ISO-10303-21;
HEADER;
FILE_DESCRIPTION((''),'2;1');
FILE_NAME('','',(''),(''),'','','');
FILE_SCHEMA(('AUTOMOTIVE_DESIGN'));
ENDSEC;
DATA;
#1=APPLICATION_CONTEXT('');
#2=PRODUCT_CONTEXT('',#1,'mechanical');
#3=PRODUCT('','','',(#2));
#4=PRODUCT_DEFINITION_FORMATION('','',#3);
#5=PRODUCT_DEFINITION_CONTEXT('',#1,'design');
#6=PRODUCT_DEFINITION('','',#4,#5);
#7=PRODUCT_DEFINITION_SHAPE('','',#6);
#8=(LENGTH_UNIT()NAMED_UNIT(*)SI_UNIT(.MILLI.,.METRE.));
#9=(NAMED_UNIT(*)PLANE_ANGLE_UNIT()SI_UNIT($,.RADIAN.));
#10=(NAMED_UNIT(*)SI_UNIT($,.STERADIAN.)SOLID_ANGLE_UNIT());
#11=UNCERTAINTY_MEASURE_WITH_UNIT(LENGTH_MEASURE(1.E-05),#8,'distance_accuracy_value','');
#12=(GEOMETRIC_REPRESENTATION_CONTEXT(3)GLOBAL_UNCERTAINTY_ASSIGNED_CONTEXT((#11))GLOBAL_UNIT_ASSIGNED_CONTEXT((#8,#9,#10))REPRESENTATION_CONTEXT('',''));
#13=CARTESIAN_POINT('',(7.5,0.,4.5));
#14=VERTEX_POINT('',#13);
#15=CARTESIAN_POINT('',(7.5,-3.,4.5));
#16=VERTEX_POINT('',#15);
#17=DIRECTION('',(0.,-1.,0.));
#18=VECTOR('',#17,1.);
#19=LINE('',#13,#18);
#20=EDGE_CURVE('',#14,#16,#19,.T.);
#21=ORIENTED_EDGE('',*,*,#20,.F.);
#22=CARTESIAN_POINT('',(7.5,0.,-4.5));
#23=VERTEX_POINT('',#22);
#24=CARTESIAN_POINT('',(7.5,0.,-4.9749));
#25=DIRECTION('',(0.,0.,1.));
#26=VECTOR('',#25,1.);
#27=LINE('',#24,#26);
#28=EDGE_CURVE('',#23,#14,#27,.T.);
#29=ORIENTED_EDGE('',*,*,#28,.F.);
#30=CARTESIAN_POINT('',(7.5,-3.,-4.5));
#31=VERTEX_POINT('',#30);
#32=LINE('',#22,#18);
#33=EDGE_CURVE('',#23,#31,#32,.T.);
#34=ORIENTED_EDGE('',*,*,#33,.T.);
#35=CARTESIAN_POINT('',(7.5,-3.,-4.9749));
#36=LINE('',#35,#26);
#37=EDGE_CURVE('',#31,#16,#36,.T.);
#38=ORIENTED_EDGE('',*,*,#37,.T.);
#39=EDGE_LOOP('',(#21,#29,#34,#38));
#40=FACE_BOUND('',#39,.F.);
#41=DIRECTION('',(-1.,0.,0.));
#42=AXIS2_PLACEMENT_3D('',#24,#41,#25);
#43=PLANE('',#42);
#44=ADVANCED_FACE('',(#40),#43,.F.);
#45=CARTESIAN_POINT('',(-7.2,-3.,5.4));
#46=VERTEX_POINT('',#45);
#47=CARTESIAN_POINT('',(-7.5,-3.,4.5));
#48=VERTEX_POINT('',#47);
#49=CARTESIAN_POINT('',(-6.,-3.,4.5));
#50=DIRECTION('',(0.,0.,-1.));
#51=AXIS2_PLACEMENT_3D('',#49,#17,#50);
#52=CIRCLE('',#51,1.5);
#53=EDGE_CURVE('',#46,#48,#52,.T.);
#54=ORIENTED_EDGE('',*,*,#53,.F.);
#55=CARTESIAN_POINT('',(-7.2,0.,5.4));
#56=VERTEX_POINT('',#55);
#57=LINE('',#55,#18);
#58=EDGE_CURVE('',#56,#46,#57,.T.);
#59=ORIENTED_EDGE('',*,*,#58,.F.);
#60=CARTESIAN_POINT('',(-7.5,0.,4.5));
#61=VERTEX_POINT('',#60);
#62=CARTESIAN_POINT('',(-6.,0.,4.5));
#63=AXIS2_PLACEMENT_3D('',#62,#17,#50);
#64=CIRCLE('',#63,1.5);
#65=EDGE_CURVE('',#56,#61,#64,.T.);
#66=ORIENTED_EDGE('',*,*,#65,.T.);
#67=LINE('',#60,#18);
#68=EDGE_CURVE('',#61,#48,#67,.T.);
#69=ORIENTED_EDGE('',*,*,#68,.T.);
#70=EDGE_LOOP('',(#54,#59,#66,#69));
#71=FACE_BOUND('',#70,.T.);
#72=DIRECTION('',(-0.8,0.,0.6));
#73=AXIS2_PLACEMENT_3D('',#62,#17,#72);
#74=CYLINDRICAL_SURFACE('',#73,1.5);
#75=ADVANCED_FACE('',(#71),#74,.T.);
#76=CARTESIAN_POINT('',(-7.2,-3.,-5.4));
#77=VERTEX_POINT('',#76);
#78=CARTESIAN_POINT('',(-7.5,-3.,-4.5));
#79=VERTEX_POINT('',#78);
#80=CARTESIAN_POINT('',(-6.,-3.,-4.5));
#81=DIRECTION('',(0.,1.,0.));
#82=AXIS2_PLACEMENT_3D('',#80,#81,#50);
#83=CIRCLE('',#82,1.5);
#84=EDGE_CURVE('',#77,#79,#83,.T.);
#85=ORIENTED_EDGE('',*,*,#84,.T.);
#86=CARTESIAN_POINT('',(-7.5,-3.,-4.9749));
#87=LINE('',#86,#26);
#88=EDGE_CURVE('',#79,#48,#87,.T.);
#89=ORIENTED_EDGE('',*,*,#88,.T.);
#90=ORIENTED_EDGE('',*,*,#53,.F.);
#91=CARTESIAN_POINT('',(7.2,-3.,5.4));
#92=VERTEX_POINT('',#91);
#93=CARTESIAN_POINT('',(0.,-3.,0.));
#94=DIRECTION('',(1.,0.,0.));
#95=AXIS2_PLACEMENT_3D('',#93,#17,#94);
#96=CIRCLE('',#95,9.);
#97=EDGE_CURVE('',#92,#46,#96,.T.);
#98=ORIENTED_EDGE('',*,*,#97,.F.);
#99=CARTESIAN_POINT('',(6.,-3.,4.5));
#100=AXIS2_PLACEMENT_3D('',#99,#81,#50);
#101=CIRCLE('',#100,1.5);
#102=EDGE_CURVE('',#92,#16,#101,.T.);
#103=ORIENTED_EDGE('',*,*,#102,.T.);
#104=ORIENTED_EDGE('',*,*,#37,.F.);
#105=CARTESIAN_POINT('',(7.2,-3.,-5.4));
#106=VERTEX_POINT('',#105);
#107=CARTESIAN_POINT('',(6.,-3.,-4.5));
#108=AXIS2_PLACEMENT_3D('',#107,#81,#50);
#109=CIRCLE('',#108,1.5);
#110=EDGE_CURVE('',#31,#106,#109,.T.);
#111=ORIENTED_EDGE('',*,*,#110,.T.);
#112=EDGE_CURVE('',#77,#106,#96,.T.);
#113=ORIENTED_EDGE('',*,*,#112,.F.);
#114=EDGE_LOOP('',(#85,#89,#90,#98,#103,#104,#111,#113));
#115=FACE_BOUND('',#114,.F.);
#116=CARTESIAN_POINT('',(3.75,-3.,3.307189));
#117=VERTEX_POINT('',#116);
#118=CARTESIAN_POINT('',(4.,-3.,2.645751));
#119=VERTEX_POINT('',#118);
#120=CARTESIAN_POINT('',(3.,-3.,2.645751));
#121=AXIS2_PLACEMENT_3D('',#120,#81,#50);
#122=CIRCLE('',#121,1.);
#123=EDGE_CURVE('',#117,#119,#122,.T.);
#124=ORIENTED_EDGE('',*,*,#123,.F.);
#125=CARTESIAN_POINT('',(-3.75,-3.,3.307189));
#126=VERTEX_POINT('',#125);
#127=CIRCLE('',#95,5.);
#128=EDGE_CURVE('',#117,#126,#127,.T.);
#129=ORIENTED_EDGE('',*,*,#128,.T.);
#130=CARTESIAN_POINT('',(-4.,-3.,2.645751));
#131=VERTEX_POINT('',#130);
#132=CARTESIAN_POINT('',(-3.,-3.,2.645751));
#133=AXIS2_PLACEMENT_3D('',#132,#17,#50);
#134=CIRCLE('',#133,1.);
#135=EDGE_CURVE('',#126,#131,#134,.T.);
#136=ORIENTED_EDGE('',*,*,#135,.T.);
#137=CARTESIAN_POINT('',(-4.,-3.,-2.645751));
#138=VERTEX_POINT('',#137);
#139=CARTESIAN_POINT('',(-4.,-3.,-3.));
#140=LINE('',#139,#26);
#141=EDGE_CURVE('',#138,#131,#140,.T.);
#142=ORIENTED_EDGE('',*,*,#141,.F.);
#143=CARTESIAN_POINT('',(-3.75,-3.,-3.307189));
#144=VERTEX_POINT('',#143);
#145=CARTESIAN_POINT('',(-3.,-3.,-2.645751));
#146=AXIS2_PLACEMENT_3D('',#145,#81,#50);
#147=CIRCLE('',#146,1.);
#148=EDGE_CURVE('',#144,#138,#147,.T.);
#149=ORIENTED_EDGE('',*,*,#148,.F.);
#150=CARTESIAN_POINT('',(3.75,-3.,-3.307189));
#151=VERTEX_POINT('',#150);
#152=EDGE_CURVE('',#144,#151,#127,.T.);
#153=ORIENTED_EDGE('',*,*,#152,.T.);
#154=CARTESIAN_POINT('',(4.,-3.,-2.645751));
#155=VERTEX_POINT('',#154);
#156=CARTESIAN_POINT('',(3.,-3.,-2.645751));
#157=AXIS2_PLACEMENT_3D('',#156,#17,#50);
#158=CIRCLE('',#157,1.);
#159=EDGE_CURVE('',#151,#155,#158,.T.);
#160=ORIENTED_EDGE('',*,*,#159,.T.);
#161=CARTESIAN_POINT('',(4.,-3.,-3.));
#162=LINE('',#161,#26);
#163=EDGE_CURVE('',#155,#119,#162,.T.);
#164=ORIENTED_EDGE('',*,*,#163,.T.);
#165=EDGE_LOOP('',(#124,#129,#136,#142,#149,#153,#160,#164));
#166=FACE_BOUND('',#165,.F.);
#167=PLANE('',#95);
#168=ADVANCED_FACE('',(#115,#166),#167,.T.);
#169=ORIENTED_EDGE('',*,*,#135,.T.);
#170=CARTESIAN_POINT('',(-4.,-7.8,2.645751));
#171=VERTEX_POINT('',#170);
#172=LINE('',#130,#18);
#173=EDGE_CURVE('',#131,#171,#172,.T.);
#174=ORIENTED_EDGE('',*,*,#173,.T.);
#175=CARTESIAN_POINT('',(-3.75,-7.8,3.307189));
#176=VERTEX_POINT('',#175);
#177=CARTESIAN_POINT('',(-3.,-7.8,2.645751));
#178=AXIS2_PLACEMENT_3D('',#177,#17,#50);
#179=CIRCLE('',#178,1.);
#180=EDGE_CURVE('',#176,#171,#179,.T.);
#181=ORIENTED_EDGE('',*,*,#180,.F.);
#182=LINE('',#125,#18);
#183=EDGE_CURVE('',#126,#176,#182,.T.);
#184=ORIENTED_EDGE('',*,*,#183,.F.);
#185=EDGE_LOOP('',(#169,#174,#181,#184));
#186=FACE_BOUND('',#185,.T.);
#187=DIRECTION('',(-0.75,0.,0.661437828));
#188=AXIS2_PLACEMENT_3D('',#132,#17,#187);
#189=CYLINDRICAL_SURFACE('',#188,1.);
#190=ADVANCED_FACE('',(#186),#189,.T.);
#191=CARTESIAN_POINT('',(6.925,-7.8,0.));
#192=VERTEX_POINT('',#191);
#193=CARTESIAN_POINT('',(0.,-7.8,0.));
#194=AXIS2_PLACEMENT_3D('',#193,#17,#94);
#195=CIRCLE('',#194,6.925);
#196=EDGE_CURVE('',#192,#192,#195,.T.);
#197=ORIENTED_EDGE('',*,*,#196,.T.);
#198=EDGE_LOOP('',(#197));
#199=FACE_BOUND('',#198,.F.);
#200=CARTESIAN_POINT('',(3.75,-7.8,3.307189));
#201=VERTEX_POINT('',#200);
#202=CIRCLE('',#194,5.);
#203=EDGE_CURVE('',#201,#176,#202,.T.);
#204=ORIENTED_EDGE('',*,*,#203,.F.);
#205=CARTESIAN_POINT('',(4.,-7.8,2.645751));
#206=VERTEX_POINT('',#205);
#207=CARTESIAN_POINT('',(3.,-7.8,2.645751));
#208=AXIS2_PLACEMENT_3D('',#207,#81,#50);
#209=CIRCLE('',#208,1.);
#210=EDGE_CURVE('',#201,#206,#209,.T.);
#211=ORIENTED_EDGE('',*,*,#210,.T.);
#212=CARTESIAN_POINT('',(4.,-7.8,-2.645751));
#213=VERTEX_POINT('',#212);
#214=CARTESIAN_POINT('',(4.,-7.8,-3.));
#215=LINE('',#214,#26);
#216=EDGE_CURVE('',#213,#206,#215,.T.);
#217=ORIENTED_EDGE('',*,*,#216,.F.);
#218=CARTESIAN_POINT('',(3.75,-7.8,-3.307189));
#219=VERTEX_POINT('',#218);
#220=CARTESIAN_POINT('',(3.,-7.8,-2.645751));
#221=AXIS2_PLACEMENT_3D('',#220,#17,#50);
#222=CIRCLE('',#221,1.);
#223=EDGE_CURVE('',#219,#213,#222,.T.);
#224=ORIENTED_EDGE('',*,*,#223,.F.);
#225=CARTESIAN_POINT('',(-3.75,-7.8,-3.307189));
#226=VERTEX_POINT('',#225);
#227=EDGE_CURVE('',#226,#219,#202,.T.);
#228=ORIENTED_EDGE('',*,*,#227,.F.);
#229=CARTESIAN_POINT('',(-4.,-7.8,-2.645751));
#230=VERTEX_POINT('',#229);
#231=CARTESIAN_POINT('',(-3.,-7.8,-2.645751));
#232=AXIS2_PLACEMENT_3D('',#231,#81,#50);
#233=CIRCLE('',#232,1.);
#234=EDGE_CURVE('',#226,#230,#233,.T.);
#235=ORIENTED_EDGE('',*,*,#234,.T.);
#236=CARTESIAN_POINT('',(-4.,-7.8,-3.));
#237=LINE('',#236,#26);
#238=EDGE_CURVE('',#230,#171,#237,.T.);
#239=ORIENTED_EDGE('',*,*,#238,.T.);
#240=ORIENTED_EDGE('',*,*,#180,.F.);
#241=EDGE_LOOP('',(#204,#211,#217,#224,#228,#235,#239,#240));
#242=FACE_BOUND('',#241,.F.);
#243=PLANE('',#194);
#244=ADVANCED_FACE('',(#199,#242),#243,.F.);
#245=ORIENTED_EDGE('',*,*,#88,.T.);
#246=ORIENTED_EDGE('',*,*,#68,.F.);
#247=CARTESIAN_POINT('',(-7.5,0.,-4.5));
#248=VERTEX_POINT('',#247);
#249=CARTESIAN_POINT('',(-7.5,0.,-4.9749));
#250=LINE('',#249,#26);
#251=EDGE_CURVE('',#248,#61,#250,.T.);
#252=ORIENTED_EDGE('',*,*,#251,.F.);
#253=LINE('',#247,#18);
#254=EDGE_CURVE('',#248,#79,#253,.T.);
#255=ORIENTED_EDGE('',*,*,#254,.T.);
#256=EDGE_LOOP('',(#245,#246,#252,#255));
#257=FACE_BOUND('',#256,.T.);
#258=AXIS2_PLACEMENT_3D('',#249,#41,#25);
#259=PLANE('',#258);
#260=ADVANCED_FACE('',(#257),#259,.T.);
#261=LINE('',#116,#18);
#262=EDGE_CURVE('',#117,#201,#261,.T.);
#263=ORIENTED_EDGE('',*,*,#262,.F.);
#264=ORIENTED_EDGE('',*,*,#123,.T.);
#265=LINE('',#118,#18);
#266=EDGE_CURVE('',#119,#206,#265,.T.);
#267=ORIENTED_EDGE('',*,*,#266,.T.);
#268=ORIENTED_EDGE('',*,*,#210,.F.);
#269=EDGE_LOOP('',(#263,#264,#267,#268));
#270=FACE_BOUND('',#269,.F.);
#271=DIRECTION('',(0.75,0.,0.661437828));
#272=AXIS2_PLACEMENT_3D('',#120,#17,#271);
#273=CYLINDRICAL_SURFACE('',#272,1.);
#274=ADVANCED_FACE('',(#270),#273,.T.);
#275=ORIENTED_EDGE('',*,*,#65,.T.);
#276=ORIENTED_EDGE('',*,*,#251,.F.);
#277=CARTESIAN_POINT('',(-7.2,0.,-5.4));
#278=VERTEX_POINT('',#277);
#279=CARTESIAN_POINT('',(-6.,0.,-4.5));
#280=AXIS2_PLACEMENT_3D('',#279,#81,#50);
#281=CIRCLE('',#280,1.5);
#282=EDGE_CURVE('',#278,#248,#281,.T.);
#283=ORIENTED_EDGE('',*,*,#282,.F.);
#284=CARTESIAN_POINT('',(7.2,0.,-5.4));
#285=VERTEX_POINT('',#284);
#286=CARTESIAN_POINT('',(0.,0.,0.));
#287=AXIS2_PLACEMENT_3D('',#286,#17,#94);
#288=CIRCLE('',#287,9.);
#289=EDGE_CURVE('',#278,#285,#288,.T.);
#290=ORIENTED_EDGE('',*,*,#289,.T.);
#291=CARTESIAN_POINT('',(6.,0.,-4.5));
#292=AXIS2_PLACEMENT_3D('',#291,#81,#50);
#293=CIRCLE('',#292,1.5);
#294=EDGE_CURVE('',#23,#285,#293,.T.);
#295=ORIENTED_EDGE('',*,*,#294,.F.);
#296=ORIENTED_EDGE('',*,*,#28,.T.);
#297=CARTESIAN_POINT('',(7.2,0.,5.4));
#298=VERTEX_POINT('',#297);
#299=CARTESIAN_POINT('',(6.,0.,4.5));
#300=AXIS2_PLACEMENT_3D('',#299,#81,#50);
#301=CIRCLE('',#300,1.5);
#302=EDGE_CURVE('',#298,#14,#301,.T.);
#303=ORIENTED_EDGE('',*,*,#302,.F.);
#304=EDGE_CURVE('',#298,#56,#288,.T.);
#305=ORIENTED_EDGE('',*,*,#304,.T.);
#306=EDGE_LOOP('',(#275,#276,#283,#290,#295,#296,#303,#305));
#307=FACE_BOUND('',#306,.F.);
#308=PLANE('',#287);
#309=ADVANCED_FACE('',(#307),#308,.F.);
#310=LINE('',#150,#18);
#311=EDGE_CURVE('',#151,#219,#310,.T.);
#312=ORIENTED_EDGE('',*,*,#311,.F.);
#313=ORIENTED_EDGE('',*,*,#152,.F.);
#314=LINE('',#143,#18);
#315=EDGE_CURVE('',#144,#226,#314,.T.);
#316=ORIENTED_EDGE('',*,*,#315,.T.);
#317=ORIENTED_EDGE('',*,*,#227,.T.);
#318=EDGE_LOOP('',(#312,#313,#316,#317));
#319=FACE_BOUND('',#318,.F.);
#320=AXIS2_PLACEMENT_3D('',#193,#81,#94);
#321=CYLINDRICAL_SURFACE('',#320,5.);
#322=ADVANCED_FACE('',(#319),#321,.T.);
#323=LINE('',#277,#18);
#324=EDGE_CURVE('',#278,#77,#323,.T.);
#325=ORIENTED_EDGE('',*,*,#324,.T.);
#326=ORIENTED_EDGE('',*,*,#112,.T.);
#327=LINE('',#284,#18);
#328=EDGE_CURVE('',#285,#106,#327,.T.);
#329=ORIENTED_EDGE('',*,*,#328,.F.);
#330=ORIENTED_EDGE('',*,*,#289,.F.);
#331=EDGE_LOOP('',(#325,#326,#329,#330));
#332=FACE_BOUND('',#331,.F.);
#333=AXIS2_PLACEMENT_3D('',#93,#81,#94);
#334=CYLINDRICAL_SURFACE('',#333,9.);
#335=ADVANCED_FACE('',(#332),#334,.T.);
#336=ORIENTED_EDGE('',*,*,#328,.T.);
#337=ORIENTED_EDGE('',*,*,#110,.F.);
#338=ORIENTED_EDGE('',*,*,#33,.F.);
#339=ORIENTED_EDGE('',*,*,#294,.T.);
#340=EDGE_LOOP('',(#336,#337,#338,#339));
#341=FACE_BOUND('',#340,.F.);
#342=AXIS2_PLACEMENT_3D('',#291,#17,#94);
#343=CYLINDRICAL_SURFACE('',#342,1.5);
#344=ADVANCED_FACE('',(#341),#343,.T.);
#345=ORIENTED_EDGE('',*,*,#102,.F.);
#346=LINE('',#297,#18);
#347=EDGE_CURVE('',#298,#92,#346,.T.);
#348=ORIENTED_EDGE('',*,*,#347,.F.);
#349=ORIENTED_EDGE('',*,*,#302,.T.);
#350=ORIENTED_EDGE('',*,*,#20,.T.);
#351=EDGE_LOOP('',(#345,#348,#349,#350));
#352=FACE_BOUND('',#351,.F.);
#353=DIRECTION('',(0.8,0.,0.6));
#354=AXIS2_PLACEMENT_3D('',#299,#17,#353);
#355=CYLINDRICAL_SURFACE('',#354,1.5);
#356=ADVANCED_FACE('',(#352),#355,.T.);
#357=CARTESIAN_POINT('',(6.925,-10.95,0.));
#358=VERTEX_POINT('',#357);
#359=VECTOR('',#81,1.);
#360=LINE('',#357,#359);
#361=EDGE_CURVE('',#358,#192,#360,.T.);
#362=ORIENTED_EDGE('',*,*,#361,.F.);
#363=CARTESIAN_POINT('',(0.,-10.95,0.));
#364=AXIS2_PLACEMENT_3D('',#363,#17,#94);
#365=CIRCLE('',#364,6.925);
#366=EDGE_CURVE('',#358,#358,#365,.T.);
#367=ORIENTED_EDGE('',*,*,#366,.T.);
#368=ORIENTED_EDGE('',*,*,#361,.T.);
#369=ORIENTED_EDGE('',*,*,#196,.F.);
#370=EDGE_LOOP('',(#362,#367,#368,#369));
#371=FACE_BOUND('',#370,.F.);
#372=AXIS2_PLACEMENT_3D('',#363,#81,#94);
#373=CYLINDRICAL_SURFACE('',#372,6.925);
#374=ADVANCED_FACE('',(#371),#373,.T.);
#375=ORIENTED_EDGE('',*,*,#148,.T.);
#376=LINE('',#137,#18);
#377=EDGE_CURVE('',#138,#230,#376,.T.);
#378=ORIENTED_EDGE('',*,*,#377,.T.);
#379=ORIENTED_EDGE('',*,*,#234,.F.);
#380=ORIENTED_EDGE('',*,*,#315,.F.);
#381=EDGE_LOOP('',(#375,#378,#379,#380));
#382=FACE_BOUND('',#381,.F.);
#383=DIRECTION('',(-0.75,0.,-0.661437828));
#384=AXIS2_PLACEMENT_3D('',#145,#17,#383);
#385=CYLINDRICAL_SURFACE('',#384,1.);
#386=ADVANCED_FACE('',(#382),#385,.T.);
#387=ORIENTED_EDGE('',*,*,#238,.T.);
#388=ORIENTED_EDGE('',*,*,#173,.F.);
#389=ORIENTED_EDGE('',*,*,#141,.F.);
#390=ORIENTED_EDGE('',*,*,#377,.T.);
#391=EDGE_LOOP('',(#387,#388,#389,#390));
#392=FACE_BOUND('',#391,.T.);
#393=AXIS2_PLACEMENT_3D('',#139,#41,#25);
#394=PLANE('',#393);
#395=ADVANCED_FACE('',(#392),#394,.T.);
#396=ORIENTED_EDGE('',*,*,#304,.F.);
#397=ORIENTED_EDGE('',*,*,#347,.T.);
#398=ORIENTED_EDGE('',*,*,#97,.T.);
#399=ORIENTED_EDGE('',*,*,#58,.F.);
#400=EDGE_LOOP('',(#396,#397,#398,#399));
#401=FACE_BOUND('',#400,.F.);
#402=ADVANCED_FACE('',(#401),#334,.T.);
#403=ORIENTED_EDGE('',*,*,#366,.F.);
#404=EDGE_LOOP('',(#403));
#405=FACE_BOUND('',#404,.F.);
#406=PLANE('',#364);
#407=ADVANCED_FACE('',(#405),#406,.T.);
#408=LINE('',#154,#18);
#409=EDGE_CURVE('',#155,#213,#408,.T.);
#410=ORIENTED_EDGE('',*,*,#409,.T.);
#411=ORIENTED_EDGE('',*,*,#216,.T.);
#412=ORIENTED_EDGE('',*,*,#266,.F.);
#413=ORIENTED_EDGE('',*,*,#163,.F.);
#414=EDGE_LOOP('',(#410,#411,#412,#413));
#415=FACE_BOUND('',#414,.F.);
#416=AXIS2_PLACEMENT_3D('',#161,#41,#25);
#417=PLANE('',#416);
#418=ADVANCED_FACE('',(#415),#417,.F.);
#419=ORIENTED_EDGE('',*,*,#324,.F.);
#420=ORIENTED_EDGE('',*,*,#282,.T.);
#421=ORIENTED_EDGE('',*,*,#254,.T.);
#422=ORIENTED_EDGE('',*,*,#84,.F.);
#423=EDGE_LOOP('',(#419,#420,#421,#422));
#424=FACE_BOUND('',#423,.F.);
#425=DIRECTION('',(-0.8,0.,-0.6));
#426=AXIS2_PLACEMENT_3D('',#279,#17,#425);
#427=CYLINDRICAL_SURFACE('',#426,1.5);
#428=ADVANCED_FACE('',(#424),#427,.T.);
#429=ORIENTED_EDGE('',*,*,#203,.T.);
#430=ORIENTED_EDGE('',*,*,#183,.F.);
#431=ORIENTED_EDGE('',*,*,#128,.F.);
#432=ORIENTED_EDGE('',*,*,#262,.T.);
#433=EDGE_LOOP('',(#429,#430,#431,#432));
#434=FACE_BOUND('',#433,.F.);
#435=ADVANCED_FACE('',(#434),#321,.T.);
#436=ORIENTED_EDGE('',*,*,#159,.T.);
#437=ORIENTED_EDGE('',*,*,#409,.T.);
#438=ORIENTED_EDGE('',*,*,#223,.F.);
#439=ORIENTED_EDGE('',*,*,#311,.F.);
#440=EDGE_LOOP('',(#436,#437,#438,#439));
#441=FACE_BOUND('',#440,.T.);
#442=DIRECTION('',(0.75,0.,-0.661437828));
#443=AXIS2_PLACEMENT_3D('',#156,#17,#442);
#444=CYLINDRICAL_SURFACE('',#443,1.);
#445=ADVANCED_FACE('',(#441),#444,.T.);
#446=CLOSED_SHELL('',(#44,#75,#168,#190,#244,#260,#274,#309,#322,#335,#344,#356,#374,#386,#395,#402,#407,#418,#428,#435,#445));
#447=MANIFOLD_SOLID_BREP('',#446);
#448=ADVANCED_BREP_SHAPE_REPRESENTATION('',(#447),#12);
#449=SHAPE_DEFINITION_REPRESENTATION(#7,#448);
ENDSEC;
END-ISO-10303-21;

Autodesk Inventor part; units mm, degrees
ref_plane "YZ Plane" through (0, 0, 0) normal (1, 0, 0) x (0, 1, 0)
ref_plane "XZ Plane" through (0, 0, 0) normal (0, 1, 0) x (-1, 0, 0)
ref_plane "XY Plane" through (0, 0, 0) normal (0, 0, 1) x (1, 0, 0)
sketch "Sketch1" plane through (0, 0, 0) normal (0, 0, 1) x (1, 0, 0)
  line L0 (0, 0) -> (0, -10.95)
  line L1 (0, -10.95) -> (6.925, -10.95)
  line L2 (6.925, -10.95) -> (6.925, -7.8)
  line L3 (6.925, -7.8) -> (5, -7.8)
  line L4 (5, -7.8) -> (5, -3)
  line L5 (5, -3) -> (9, -3)
  line L6 (9, -3) -> (9, 0)
  line L7 (9, 0) -> (0, 0)
  dimension "d0" = 6.925
  dimension "d1" = 5
  dimension "d2" = 9
  dimension "d3" = 3.15
  dimension "d4" = 4.8
  dimension "d5" = 3
revolve "Revolution1" add sketch "Sketch1" angle 360 about axis through (0, 0, 0) along (0, -1, 0)
sketch "Sketch2" plane through (0, 0, 0) normal (0, 1, 0) x (1, 0, 0)
  circle A0 centre (0, 0) radius 9 projected
  line L0 (0, 12.6) -> (0, -12.6) projected
  line L1 (7.5, 4.9749) -> (7.5, -4.9749)
  line L2 (-7.5, 4.9749) -> (-7.5, -4.9749)
  dimension "d7" = 15
  dimension "d8" = 7.5
extrude "Extrusion1" cut sketch "Sketch2" against normal up to surface (3 mm away) contours A0 L1 | L2 A0
sketch "Sketch3" plane through (0, -3, 0) normal (0, -1, 0) x (1, 0, 0)
  arc A0 (-7.5, -4.9749) -> (7.5, -4.9749) centre (0, 0) ccw projected
  line L0 (7.5, -4.9749) -> (7.5, 4.9749) projected
  circle A1 centre (0, 0) radius 5 projected
  line L1 (-4, -3) -> (-4, 3)
  line L2 (4, -3) -> (4, 3)
  dimension "d11" = 8
  dimension "d12" = 4
extrude "Extrusion2" cut sketch "Sketch3" along normal up to surface (4.8 mm away) contours A1 L2 | L1 A1
fillet "Fillet1" radius 1 4 edges at (4, -5.4, 3) (4, -5.4, -3) (-4, -5.4, 3) (-4, -5.4, -3)
fillet "Fillet2" radius 1.5 4 edges at (7.5, -1.5, 4.9749) (7.5, -1.5, -4.9749) (-7.5, -1.5, 4.9749) (-7.5, -1.5, -4.9749)
equation "\"d8\" = 0.5 * d7"
equation "\"d12\" = 0.5 * d11"
properties part number "318-06" material "Steel"
